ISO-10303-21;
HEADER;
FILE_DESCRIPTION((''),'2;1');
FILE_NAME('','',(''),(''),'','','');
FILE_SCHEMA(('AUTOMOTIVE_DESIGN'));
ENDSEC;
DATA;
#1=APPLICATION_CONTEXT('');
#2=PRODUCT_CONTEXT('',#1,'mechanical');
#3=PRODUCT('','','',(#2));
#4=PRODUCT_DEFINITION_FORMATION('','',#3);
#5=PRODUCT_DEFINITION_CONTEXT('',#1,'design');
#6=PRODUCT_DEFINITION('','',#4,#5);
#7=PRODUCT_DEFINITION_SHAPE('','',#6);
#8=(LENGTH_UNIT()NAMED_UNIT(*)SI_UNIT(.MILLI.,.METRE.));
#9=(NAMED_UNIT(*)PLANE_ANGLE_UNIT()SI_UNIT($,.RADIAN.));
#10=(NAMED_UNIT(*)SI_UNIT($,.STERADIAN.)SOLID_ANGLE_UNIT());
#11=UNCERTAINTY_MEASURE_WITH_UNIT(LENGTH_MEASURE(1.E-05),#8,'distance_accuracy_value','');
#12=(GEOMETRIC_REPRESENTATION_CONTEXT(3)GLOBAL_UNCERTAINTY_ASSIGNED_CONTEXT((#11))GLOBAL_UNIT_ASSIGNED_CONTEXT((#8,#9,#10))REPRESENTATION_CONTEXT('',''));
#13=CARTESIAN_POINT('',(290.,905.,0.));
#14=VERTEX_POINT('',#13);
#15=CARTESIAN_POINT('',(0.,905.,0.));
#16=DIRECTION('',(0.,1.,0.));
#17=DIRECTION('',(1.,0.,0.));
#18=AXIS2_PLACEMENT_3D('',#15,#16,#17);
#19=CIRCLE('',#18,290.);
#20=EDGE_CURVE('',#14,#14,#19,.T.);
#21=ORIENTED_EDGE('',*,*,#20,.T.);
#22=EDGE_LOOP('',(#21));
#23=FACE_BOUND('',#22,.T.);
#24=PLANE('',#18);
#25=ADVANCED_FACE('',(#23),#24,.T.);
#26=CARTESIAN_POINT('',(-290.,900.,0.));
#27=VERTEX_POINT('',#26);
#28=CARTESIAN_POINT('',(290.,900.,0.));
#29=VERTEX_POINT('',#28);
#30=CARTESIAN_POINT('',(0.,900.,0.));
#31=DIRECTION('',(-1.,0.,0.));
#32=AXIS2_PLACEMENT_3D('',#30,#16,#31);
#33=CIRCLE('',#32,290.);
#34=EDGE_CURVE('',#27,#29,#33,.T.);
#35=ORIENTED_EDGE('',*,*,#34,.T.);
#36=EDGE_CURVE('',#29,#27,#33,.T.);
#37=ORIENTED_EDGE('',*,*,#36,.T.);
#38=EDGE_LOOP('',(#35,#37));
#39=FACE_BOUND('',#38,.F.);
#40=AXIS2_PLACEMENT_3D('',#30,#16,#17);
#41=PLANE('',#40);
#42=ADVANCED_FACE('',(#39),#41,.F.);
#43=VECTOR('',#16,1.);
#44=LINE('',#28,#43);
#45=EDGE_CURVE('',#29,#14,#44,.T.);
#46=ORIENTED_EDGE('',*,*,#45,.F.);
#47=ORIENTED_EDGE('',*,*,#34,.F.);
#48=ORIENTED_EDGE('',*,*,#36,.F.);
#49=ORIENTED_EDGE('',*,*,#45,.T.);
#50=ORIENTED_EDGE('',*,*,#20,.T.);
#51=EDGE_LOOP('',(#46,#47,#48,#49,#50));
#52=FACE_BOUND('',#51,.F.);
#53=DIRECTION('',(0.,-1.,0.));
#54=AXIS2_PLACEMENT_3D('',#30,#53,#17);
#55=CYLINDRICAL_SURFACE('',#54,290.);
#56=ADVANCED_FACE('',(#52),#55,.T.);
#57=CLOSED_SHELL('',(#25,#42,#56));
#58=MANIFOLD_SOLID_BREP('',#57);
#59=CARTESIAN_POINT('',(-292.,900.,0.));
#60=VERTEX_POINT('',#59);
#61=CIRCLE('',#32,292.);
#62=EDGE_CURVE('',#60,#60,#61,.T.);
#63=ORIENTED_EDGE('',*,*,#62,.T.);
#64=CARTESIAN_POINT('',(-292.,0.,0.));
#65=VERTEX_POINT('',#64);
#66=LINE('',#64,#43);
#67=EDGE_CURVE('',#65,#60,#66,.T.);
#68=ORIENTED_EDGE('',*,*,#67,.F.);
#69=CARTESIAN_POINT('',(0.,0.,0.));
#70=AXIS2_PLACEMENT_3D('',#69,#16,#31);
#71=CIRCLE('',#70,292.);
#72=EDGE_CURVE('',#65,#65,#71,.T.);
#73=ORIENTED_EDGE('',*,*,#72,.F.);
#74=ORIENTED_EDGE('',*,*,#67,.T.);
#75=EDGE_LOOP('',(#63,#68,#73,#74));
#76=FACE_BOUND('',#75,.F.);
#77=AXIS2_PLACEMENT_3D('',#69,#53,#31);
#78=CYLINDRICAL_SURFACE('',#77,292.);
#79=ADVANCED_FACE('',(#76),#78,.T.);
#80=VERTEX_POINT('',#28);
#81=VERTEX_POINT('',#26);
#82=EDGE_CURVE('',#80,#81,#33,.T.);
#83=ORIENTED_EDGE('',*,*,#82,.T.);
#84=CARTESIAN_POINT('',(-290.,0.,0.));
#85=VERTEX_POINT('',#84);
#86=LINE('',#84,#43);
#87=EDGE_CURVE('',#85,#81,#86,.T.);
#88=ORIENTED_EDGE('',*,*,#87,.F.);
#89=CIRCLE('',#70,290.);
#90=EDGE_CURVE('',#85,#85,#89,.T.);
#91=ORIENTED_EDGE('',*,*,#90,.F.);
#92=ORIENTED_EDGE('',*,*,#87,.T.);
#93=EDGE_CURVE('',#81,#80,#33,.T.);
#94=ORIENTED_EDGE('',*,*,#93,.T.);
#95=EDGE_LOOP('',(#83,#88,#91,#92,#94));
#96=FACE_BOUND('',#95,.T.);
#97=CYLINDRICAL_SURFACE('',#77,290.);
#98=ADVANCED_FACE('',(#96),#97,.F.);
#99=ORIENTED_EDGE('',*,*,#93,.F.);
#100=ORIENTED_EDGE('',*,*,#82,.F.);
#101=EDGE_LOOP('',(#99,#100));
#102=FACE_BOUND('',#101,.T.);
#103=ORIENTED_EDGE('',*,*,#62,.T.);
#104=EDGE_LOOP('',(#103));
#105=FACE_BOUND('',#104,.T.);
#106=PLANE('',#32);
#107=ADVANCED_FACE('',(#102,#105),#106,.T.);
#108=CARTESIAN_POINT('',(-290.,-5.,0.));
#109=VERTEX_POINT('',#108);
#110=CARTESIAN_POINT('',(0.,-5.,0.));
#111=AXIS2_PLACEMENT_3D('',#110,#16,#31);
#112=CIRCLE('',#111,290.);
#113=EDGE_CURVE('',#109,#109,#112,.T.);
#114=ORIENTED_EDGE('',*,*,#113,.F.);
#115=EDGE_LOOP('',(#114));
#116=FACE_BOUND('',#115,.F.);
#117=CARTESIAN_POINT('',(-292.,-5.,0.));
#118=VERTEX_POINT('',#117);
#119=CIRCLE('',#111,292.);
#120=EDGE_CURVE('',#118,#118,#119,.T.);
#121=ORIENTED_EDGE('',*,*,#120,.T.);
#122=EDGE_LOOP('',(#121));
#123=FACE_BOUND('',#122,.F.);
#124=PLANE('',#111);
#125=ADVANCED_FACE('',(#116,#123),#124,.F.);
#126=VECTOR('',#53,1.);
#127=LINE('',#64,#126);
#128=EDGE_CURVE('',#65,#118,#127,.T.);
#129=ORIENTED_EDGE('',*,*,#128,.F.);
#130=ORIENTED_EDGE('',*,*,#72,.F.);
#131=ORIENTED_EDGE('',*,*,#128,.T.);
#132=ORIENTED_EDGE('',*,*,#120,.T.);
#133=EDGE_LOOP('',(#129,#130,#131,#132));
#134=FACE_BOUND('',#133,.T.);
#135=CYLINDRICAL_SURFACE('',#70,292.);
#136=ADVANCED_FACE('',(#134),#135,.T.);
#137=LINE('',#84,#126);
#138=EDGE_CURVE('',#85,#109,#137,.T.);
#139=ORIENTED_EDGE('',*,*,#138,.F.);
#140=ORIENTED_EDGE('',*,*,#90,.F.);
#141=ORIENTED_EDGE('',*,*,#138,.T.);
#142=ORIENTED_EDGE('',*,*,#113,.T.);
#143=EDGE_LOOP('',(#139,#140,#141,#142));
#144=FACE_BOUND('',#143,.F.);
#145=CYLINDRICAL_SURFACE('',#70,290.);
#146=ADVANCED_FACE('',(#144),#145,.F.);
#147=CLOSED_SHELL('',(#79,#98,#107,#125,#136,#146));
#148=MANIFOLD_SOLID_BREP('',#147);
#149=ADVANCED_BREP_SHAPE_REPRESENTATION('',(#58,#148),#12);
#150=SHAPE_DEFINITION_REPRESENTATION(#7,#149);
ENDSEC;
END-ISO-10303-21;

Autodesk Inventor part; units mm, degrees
ref_plane "YZ Plane" through (0, 0, 0) normal (1, 0, 0) x (0, 1, 0)
ref_plane "XZ Plane" through (0, 0, 0) normal (0, 1, 0) x (-1, 0, 0)
ref_plane "XY Plane" through (0, 0, 0) normal (0, 0, 1) x (1, 0, 0)
sketch "Sketch1" plane through (0, 0, 0) normal (0, 1, 0) x (-1, 0, 0)
  circle A0 centre (0, 0) radius 290
  circle A1 centre (0, 0) radius 292
  dimension "d0" = 580
  dimension "d1" = 584
extrude "Extrusion1" add sketch "Sketch1" along normal blind 900 and the other way blind 5
sketch "Sketch2" plane through (0, 900, 0) normal (0, 1, 0) x (1, 0, 0)
  circle A0 centre (0, 0) radius 290
  dimension "d6" = 580
extrude "Extrusion2" add sketch "Sketch2" along normal blind 5
properties part number "tank" material "Stainless Steel"
